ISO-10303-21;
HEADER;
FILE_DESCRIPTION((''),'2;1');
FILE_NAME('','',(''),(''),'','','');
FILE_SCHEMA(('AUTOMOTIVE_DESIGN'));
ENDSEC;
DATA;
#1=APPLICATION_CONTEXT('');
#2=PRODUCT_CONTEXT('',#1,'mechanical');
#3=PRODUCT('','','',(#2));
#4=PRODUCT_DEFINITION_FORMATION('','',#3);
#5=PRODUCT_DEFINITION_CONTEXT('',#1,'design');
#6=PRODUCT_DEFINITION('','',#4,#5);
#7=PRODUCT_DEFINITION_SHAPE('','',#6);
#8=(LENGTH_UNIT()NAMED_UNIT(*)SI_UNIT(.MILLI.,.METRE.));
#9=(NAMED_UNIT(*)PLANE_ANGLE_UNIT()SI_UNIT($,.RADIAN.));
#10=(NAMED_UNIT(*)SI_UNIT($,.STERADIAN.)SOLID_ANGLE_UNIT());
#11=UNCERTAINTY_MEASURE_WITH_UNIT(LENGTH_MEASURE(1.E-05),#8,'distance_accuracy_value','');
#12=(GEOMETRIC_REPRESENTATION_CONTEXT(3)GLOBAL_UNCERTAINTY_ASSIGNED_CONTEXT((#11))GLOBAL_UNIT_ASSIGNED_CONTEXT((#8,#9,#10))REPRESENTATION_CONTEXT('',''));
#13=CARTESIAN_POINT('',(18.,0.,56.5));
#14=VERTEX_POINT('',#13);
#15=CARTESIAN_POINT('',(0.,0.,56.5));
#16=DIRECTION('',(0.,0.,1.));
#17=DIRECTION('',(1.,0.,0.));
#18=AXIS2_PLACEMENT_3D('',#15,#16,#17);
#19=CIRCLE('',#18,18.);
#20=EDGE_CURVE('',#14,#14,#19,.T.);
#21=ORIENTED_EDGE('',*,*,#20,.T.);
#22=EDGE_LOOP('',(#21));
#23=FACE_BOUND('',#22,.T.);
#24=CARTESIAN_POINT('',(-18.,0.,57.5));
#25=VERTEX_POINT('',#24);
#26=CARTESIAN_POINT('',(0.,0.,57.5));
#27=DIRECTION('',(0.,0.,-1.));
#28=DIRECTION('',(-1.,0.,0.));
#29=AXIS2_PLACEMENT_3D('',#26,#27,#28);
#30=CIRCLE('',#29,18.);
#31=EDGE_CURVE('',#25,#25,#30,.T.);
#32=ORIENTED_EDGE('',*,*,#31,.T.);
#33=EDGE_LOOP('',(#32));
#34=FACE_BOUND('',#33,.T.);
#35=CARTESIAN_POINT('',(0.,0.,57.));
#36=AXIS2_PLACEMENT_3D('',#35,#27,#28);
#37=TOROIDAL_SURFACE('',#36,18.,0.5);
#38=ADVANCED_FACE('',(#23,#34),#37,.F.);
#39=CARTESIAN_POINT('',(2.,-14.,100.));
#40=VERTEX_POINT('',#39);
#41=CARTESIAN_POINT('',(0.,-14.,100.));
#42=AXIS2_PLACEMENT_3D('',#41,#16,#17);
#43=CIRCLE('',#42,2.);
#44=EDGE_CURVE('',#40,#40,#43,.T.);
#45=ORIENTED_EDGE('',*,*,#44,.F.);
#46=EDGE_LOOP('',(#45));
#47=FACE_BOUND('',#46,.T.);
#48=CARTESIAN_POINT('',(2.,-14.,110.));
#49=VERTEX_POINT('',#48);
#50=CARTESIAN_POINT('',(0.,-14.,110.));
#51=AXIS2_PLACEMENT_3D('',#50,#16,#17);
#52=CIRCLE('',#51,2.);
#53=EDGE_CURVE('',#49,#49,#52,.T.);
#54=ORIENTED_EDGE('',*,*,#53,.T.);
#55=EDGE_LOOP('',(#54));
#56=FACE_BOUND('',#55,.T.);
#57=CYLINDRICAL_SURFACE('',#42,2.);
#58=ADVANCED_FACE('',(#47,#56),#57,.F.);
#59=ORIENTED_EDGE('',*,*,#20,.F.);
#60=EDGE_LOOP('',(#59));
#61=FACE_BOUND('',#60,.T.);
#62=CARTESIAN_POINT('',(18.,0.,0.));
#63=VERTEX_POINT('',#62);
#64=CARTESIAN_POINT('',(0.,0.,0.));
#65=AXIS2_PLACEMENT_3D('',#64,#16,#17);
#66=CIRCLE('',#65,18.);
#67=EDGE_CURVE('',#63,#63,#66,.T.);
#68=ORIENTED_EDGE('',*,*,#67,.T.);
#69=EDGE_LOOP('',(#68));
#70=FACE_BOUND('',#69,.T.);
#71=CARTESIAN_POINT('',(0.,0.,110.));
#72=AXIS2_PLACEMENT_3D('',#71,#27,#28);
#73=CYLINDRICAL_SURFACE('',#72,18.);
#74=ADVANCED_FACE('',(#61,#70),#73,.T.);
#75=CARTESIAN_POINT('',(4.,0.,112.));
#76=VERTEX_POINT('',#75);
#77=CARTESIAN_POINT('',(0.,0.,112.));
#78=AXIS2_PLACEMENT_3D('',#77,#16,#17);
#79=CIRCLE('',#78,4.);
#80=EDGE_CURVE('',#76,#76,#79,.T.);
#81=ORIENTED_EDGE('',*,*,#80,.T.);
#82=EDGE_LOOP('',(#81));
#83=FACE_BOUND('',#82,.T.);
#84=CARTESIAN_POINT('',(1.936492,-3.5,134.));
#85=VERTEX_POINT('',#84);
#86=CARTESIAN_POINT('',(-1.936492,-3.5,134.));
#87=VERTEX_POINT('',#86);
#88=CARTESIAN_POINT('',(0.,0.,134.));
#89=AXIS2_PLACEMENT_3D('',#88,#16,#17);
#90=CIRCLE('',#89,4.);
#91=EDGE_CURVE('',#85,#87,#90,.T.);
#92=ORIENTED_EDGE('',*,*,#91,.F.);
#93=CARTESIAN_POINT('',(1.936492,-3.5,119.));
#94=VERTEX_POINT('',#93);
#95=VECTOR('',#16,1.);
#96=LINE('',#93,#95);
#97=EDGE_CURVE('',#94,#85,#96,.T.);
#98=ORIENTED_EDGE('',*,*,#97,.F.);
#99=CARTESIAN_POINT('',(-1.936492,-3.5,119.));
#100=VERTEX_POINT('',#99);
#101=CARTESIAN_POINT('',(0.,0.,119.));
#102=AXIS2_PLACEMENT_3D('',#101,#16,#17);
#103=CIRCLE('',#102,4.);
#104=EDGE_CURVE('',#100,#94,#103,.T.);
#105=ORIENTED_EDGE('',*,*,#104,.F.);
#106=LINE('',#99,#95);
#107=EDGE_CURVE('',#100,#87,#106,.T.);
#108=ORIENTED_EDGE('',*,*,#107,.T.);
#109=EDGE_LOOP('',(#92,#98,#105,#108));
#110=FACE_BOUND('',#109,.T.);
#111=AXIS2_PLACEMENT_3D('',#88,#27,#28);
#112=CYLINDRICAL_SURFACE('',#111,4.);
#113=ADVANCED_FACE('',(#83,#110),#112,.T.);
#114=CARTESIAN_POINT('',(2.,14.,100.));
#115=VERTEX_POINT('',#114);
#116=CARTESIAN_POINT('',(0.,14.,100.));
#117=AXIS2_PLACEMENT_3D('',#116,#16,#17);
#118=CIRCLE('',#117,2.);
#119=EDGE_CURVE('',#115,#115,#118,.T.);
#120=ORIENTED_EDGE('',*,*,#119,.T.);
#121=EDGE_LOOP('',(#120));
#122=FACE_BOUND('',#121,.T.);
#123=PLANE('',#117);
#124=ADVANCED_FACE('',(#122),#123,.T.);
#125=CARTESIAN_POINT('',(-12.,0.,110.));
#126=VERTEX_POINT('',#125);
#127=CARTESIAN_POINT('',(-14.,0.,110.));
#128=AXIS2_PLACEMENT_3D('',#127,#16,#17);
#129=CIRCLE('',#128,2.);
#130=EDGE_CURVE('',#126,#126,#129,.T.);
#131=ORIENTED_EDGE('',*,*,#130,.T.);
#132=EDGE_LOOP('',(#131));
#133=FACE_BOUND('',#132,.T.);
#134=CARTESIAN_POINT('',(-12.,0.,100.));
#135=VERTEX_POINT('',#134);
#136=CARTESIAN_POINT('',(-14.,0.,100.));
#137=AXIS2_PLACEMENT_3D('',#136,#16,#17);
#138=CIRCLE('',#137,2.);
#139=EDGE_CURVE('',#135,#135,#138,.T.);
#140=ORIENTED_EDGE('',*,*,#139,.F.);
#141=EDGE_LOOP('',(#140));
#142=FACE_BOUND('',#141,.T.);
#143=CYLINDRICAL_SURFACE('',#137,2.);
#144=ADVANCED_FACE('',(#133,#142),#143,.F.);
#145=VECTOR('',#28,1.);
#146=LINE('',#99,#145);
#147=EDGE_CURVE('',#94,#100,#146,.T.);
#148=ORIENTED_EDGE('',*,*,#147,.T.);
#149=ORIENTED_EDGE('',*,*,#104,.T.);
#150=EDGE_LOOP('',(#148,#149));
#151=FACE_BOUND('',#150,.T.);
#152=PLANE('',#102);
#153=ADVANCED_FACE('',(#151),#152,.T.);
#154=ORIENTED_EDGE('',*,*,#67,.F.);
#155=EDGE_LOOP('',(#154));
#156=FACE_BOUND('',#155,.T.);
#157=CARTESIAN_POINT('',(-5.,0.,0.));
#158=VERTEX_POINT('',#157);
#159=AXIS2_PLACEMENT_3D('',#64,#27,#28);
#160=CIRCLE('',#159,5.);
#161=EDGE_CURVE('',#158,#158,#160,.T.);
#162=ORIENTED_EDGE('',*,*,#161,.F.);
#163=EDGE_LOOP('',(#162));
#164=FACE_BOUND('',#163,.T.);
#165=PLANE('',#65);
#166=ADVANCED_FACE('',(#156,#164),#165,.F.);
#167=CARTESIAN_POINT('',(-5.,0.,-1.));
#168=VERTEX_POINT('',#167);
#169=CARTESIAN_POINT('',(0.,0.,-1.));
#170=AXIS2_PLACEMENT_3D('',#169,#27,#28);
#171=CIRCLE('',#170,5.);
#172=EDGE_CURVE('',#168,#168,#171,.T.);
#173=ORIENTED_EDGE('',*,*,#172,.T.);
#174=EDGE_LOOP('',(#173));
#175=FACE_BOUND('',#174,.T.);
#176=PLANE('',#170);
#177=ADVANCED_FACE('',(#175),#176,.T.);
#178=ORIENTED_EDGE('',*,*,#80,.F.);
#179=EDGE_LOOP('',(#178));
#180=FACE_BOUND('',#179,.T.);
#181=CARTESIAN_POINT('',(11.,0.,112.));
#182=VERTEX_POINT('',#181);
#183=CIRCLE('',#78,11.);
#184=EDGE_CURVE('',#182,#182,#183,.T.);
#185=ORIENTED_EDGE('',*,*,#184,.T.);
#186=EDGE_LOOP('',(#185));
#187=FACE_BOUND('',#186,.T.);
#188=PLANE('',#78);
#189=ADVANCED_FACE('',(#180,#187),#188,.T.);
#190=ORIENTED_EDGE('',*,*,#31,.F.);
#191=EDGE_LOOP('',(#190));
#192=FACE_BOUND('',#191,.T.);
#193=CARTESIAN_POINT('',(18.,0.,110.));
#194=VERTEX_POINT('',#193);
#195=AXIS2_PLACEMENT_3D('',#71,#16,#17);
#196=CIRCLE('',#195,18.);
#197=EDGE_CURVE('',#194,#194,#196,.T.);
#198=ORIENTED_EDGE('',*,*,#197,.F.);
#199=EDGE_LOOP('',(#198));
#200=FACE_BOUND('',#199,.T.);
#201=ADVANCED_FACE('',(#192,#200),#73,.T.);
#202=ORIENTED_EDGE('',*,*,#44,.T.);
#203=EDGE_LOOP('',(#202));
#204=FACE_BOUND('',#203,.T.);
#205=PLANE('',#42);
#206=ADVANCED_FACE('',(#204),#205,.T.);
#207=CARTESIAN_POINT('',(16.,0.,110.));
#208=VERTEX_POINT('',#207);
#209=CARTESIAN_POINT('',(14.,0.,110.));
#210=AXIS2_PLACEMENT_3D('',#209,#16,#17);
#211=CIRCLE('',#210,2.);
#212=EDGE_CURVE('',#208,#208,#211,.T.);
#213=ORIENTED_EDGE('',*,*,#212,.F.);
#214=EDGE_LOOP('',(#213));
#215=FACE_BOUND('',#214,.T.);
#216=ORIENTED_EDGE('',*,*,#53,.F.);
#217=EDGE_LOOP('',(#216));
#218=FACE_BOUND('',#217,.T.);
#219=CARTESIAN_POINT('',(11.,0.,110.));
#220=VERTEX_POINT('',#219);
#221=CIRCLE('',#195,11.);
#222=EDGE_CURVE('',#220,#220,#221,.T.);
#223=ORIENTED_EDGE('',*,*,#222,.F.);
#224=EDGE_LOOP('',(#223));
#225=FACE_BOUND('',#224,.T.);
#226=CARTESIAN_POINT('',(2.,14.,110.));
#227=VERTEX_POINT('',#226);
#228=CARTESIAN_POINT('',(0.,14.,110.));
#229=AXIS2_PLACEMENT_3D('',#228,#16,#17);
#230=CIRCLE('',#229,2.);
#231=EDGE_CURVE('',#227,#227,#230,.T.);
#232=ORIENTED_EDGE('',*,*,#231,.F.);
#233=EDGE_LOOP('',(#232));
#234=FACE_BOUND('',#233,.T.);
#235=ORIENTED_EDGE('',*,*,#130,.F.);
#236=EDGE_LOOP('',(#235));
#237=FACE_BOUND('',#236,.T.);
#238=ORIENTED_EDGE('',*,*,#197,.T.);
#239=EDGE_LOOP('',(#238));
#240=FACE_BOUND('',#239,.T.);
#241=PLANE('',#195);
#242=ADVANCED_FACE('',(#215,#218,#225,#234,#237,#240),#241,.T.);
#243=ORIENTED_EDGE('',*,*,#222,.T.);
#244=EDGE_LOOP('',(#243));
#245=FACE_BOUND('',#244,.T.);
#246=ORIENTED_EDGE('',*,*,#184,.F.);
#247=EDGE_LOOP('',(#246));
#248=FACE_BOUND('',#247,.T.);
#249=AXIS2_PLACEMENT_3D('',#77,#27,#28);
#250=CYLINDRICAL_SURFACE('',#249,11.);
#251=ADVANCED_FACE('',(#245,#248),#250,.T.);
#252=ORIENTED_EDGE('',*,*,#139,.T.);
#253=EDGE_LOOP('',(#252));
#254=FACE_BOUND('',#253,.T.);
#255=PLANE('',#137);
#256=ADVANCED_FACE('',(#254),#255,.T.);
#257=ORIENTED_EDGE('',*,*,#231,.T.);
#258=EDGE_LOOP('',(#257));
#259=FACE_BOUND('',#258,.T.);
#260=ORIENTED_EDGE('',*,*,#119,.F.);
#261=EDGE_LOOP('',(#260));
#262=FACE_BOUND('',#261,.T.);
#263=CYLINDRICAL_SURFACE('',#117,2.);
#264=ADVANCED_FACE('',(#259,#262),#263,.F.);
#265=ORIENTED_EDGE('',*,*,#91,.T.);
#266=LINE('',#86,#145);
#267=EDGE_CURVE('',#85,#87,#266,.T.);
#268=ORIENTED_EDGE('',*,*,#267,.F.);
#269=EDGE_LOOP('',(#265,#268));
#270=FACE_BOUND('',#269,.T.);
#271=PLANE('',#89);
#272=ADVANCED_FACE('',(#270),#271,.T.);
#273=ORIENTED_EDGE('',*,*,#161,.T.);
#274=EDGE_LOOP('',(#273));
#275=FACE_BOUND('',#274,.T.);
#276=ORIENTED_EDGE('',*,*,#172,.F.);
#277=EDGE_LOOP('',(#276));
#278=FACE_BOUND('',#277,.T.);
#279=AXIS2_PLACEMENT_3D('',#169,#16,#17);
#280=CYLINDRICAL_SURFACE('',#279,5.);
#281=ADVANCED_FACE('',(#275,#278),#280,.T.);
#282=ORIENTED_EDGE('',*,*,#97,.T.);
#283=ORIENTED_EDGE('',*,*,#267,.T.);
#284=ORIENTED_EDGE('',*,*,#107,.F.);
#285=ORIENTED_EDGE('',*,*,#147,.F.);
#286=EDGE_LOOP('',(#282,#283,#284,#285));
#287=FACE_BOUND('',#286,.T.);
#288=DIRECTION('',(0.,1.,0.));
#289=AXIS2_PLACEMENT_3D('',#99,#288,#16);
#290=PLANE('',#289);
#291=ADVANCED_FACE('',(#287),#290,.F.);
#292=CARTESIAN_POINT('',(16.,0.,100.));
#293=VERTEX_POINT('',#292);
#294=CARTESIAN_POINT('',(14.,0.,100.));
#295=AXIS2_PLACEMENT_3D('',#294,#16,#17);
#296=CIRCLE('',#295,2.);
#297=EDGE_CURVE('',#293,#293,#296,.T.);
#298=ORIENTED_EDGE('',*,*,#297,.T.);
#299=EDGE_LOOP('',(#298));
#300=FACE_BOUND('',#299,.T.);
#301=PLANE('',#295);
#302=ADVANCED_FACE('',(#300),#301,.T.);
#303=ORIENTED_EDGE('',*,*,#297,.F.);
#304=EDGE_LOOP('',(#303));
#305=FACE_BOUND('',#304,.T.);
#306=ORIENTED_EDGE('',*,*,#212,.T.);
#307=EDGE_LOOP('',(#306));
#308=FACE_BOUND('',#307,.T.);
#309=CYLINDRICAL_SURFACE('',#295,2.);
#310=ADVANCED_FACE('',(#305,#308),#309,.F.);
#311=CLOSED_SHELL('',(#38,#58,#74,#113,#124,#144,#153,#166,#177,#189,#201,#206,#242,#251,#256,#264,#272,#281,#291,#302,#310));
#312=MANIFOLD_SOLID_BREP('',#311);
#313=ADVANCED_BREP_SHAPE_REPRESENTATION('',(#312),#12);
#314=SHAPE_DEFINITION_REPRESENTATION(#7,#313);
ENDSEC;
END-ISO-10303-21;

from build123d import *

# Parameters (mm, degrees)
SKETCH1_R           = 18
BOSS_EXTRUDE1_DEPTH = 110
SKETCH2_R           = 0.5
SKETCH3_R           = 11
BOSS_EXTRUDE2_DEPTH = 2
SKETCH4_R           = 4
BOSS_EXTRUDE3_DEPTH = 22
CUT_EXTRUDE1_START  = -15
CUT_EXTRUDE1_DEPTH  = 15
SKETCH6_R           = 5
BOSS_EXTRUDE4_DEPTH = 1
SKETCH7_R           = 2
CUT_EXTRUDE2_DEPTH  = 10


with BuildPart() as part:
    # Sketch1 → Boss-Extrude1 (new body)
    with BuildSketch(Plane.XY):
        Circle(SKETCH1_R)
    extrude(amount=BOSS_EXTRUDE1_DEPTH)

    # Sketch2 → Cut-Revolve1 (revolve, cut)
    with BuildSketch(Plane(origin=(0, 0, 0), x_dir=(1, 0, 0), z_dir=(0, 1, 0)), mode=Mode.PRIVATE) as cut_revolve1_sk:
        with Locations((18, -57)):
            Circle(SKETCH2_R)
    revolve(cut_revolve1_sk.sketch.rotate(Axis((0, 0, 0), (0, 0, 1)), 180), axis=Axis((0, 0, 0), (0, 0, 1)), mode=Mode.SUBTRACT)

    # Sketch3 → Boss-Extrude2 (add)
    with BuildSketch(Plane.XY.offset(110)):
        Circle(SKETCH3_R)
    extrude(amount=BOSS_EXTRUDE2_DEPTH)

    # Sketch4 → Boss-Extrude3 (add)
    with BuildSketch(Plane.XY.offset(112)):
        Circle(SKETCH4_R)
    extrude(amount=BOSS_EXTRUDE3_DEPTH)

    # Sketch5 → Cut-Extrude1 (cut)
    with BuildSketch(Plane.XY.offset(134).offset(CUT_EXTRUDE1_START)):
        with BuildLine():
            Line((-1.936491673, -3.5), (1.936491673, -3.5))
            ThreePointArc((1.936491673, -3.5), (0, -4), (-1.936491673, -3.5))
        make_face()
    extrude(amount=CUT_EXTRUDE1_DEPTH, mode=Mode.SUBTRACT)

    # Sketch6 → Boss-Extrude4 (add)
    with BuildSketch(Plane(origin=(0, 0, 0), x_dir=(-1, 0, 0), z_dir=(0, 0, -1))):
        Circle(SKETCH6_R)
    extrude(amount=BOSS_EXTRUDE4_DEPTH)

    # Sketch7 → Cut-Extrude2 (cut)
    with BuildSketch(Plane.XY.offset(110)):
        with Locations((14, 0)):
            Circle(SKETCH7_R)
        with Locations((0, -14)):
            Circle(SKETCH7_R)
        with Locations((-14, 0)):
            Circle(SKETCH7_R)
        with Locations((0, 14)):
            Circle(SKETCH7_R)
    extrude(amount=-CUT_EXTRUDE2_DEPTH, mode=Mode.SUBTRACT)


solid = part.part
